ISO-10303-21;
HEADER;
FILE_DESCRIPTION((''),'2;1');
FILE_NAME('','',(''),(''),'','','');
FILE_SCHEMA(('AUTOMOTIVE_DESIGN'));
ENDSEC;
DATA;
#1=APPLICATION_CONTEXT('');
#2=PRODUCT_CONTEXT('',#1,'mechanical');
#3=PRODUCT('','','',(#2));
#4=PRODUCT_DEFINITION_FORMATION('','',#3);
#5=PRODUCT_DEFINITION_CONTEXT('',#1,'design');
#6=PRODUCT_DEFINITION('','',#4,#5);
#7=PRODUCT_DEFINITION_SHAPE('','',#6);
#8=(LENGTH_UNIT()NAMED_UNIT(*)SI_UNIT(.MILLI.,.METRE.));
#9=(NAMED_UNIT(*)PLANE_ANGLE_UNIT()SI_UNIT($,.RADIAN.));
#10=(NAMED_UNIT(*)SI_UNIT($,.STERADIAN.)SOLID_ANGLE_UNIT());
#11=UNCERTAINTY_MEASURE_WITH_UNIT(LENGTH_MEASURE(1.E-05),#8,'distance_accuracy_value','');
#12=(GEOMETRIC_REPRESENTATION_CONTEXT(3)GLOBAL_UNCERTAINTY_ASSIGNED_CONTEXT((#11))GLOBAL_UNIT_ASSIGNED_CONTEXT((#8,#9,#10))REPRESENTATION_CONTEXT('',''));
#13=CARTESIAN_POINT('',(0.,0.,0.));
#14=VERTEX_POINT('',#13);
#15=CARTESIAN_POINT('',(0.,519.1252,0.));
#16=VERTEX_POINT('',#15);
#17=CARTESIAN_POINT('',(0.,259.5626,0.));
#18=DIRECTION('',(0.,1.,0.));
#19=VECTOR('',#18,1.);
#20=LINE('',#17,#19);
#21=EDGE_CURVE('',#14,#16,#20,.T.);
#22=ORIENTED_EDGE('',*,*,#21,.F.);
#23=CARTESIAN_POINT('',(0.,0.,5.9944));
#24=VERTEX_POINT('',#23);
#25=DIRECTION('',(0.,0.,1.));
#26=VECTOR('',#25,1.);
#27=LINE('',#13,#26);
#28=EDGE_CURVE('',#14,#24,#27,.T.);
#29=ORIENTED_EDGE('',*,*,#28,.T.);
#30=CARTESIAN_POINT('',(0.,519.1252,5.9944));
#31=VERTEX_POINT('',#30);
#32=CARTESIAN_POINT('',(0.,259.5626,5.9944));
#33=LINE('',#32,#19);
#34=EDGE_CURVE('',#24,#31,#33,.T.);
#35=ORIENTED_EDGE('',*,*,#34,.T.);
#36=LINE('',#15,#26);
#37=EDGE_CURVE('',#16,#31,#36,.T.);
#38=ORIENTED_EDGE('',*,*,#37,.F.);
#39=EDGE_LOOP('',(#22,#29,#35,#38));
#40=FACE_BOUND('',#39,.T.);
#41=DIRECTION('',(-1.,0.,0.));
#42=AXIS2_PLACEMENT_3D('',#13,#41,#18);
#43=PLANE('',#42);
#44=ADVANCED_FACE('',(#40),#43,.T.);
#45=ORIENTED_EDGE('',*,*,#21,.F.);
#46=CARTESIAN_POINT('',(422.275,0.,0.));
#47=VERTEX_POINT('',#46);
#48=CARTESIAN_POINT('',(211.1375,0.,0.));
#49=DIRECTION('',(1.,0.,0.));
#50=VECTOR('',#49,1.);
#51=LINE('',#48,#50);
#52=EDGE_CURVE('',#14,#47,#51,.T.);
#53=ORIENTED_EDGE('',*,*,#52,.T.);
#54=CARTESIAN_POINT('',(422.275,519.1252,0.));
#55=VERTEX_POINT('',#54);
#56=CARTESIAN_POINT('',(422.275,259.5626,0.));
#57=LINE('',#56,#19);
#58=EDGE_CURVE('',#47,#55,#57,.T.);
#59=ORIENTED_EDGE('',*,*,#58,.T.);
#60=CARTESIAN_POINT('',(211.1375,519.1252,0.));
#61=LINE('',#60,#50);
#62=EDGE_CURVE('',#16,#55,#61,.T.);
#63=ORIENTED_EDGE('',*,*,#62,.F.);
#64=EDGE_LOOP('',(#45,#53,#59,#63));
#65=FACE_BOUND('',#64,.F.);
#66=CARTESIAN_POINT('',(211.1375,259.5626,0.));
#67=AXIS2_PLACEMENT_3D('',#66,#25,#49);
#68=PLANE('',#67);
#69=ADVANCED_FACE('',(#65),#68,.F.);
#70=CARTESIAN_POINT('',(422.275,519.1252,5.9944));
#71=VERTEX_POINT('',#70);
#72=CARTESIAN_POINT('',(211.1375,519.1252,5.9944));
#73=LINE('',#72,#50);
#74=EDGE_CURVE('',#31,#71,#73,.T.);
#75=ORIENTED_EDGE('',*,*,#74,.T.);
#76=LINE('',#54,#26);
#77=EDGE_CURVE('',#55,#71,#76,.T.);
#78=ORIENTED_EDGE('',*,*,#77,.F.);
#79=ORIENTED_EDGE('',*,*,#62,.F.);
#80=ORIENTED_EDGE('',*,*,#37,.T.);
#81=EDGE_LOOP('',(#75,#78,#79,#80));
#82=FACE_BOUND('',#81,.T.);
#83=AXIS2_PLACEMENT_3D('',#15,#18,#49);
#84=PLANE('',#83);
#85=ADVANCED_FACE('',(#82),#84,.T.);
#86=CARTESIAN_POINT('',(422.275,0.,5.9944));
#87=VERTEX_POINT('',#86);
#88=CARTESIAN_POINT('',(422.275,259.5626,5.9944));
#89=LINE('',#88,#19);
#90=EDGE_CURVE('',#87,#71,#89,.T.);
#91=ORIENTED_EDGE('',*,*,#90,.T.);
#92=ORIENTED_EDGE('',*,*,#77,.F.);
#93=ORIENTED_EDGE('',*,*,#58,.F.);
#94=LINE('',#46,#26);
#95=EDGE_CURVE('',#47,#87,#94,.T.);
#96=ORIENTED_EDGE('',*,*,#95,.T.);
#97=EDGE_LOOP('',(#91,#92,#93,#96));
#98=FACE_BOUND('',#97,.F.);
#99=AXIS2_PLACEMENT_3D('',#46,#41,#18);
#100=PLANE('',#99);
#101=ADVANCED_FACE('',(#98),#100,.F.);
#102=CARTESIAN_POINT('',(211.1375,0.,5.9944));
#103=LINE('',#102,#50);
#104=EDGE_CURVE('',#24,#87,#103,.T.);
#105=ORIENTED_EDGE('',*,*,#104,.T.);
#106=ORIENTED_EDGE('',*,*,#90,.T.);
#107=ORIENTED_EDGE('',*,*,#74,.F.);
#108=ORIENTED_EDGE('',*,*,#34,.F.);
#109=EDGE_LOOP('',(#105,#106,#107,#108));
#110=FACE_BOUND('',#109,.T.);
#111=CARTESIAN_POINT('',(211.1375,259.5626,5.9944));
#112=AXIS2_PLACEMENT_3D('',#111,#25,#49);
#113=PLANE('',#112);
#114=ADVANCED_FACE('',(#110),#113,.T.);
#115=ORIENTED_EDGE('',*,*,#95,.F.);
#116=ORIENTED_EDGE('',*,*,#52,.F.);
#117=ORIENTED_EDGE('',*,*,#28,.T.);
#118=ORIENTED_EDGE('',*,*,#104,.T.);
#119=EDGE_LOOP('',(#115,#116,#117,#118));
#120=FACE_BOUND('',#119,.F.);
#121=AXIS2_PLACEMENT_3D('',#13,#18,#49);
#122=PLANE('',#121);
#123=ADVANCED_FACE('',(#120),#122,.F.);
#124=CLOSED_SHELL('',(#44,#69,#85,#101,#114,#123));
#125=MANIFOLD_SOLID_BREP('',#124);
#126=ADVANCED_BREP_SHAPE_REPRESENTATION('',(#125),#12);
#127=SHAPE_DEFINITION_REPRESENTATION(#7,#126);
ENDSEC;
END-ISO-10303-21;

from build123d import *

# Parameters (mm, degrees)
SKETCH_W      = 422.275
SKETCH_H      = 519.1252
EXTRUDE_DEPTH = 5.9944


with BuildPart() as part:
    # Sketch → Extrude (new body)
    with BuildSketch(Plane.XY):
        with Locations((211.1375, 259.5626)):
            Rectangle(SKETCH_W, SKETCH_H)
    extrude(amount=EXTRUDE_DEPTH)


solid = part.part
